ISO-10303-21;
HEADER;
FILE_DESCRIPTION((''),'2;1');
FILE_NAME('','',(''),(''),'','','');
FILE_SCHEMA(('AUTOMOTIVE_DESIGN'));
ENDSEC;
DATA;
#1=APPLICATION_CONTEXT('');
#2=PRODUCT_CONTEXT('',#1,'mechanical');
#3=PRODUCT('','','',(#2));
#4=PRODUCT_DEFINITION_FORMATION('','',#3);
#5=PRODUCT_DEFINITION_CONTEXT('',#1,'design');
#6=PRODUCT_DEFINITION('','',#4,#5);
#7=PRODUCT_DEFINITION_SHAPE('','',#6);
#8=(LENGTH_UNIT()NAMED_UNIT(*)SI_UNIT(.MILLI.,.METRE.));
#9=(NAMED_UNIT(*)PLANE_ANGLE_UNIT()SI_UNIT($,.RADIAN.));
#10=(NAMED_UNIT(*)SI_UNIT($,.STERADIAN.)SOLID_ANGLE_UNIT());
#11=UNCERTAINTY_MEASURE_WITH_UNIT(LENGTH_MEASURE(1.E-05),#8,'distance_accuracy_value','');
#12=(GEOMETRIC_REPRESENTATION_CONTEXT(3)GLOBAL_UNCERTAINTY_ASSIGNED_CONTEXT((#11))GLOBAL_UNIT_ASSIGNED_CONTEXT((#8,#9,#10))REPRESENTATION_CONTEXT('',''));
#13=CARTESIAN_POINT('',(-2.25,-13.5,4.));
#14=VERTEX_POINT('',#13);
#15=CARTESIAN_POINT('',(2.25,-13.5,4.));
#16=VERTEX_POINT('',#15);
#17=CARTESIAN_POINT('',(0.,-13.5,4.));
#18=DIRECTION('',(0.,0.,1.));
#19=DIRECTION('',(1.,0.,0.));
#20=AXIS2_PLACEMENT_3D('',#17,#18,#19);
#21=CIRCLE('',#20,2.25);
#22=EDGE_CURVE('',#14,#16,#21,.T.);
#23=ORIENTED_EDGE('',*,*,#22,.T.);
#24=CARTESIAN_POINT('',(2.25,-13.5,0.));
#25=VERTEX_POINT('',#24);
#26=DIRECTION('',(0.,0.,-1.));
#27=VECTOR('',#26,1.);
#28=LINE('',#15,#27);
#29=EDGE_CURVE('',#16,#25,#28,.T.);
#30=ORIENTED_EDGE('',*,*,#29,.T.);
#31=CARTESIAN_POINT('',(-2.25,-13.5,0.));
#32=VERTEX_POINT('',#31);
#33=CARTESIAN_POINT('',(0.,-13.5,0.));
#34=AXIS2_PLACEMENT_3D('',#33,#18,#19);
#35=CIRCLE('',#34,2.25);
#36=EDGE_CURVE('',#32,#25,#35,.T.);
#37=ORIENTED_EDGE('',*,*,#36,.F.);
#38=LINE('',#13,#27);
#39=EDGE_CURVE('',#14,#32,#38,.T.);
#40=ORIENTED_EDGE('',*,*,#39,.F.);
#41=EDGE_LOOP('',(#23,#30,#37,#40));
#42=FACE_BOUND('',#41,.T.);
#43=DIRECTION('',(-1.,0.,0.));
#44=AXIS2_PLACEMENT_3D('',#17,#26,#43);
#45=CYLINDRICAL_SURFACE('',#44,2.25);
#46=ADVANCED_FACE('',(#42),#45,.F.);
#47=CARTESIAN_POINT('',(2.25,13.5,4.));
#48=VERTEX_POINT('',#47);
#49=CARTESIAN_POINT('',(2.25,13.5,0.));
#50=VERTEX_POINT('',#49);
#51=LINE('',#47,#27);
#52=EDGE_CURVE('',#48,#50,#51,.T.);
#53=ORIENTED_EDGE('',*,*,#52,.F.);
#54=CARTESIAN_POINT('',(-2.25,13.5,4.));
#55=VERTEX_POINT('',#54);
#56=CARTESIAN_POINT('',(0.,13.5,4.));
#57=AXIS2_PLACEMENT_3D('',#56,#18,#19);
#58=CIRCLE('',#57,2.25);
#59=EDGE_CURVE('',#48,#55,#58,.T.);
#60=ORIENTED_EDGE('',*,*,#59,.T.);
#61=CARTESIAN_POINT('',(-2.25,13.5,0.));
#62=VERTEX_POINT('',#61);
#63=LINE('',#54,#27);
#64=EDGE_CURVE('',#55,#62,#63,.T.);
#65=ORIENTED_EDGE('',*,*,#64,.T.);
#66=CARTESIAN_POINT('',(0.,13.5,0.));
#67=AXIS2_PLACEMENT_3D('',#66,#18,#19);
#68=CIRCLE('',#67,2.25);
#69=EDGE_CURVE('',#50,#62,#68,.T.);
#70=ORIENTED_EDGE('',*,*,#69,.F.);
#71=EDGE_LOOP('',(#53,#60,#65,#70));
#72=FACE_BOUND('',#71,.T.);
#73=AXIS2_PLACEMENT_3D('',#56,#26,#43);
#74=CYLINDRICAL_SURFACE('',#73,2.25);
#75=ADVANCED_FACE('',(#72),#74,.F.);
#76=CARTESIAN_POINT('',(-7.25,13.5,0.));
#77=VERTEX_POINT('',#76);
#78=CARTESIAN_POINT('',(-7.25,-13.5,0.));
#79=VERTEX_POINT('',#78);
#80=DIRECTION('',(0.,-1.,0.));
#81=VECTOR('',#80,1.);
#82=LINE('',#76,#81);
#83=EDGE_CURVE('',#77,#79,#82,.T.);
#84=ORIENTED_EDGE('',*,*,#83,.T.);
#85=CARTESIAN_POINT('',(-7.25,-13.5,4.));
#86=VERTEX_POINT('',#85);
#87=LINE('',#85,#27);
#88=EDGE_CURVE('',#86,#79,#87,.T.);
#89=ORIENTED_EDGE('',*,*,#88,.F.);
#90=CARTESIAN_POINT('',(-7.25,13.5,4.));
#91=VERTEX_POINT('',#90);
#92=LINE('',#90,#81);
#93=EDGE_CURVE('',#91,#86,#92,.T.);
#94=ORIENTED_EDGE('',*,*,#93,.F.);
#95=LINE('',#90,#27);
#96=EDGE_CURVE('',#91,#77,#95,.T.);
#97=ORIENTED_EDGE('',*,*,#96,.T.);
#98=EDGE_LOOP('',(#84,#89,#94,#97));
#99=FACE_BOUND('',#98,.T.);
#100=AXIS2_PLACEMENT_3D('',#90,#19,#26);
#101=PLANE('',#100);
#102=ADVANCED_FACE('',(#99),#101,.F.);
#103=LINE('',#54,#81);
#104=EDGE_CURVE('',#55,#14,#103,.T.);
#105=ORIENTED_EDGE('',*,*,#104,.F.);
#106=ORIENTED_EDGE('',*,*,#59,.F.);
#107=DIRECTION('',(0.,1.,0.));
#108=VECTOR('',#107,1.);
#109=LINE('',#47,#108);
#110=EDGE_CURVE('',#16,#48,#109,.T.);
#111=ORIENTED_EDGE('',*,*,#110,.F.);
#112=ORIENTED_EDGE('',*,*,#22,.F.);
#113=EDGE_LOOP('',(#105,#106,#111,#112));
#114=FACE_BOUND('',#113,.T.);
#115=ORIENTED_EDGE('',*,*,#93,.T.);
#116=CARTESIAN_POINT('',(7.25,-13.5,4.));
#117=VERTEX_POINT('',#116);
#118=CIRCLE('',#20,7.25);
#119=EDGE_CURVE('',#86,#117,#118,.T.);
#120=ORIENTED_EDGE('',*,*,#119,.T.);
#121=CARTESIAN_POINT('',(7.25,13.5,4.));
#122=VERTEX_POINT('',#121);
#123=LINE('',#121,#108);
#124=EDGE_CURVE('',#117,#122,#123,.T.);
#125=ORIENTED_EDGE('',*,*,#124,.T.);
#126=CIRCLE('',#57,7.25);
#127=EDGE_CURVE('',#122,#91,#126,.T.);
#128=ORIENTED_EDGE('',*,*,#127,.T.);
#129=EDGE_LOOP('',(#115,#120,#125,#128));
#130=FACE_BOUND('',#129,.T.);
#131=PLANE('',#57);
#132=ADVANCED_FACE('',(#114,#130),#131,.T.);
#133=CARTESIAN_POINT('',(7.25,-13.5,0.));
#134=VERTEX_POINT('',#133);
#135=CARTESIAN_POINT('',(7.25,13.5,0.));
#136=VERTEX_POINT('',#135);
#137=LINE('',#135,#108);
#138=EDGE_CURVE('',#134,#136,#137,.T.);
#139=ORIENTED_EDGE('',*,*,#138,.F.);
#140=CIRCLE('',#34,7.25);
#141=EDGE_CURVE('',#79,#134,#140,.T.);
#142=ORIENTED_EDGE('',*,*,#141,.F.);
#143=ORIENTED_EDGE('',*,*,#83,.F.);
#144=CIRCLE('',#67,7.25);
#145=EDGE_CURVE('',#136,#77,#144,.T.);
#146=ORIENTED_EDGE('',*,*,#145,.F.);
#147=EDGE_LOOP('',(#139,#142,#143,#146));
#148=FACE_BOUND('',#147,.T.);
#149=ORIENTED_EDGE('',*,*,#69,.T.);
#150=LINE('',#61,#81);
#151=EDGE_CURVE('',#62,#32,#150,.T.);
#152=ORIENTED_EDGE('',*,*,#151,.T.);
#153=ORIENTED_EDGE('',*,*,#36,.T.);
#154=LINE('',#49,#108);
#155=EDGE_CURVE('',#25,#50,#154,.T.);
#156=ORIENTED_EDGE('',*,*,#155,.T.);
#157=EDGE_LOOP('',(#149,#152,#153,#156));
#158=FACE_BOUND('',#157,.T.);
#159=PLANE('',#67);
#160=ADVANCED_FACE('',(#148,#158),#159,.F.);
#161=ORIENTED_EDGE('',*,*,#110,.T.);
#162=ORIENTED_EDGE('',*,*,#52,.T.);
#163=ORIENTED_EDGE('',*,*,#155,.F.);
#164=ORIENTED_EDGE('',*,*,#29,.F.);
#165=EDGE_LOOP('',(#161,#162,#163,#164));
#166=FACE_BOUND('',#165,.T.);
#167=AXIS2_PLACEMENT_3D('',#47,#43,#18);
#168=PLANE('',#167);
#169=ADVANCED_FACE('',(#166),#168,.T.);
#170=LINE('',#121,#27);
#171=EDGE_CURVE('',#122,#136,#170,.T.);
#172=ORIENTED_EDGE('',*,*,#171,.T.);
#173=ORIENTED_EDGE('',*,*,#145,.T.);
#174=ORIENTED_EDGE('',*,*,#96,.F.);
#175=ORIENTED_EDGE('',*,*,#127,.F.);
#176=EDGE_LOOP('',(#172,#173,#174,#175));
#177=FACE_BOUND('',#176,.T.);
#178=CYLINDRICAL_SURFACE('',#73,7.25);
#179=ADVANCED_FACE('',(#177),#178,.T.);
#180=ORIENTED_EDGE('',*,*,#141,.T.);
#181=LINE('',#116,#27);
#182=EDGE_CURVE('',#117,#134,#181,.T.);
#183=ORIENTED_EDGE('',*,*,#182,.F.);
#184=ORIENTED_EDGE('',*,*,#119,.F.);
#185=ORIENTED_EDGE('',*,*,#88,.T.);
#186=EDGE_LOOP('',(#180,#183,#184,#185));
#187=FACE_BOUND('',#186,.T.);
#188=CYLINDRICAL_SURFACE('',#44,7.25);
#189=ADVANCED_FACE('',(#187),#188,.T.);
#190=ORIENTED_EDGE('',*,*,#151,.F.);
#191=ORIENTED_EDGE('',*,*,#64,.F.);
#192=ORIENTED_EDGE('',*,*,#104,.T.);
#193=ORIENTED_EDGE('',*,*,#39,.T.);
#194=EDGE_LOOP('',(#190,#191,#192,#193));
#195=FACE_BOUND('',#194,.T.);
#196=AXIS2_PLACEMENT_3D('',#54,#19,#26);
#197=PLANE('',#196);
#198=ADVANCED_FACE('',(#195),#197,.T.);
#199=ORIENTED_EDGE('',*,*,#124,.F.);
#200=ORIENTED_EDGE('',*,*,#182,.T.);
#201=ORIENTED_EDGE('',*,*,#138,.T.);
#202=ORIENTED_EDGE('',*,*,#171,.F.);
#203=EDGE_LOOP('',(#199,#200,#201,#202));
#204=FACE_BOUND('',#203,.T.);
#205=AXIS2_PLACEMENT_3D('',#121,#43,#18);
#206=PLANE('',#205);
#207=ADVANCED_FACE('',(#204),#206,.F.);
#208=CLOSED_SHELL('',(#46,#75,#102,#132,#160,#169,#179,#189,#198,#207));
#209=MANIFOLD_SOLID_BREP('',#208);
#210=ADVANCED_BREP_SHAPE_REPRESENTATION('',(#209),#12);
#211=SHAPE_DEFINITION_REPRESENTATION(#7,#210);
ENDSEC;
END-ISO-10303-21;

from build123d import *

# Parameters (mm, degrees)
BOSS_EXTRUDE1_DEPTH = 4


with BuildPart() as part:
    # Sketch1 → Boss-Extrude1 (new body)
    with BuildSketch(Plane.XY):
        with BuildLine():
            Line((7.25, 13.5), (7.25, -13.5))
            ThreePointArc((7.25, -13.5), (0, -20.75), (-7.25, -13.5))
            Line((-7.25, -13.5), (-7.25, 13.5))
            ThreePointArc((-7.25, 13.5), (0, 20.75), (7.25, 13.5))
        make_face()
        with BuildLine():
            Line((2.25, 13.5), (2.25, -13.5))
            ThreePointArc((2.25, -13.5), (0, -15.75), (-2.25, -13.5))
            Line((-2.25, -13.5), (-2.25, 13.5))
            ThreePointArc((-2.25, 13.5), (0, 15.75), (2.25, 13.5))
        make_face(mode=Mode.SUBTRACT)
    extrude(amount=BOSS_EXTRUDE1_DEPTH)


solid = part.part
